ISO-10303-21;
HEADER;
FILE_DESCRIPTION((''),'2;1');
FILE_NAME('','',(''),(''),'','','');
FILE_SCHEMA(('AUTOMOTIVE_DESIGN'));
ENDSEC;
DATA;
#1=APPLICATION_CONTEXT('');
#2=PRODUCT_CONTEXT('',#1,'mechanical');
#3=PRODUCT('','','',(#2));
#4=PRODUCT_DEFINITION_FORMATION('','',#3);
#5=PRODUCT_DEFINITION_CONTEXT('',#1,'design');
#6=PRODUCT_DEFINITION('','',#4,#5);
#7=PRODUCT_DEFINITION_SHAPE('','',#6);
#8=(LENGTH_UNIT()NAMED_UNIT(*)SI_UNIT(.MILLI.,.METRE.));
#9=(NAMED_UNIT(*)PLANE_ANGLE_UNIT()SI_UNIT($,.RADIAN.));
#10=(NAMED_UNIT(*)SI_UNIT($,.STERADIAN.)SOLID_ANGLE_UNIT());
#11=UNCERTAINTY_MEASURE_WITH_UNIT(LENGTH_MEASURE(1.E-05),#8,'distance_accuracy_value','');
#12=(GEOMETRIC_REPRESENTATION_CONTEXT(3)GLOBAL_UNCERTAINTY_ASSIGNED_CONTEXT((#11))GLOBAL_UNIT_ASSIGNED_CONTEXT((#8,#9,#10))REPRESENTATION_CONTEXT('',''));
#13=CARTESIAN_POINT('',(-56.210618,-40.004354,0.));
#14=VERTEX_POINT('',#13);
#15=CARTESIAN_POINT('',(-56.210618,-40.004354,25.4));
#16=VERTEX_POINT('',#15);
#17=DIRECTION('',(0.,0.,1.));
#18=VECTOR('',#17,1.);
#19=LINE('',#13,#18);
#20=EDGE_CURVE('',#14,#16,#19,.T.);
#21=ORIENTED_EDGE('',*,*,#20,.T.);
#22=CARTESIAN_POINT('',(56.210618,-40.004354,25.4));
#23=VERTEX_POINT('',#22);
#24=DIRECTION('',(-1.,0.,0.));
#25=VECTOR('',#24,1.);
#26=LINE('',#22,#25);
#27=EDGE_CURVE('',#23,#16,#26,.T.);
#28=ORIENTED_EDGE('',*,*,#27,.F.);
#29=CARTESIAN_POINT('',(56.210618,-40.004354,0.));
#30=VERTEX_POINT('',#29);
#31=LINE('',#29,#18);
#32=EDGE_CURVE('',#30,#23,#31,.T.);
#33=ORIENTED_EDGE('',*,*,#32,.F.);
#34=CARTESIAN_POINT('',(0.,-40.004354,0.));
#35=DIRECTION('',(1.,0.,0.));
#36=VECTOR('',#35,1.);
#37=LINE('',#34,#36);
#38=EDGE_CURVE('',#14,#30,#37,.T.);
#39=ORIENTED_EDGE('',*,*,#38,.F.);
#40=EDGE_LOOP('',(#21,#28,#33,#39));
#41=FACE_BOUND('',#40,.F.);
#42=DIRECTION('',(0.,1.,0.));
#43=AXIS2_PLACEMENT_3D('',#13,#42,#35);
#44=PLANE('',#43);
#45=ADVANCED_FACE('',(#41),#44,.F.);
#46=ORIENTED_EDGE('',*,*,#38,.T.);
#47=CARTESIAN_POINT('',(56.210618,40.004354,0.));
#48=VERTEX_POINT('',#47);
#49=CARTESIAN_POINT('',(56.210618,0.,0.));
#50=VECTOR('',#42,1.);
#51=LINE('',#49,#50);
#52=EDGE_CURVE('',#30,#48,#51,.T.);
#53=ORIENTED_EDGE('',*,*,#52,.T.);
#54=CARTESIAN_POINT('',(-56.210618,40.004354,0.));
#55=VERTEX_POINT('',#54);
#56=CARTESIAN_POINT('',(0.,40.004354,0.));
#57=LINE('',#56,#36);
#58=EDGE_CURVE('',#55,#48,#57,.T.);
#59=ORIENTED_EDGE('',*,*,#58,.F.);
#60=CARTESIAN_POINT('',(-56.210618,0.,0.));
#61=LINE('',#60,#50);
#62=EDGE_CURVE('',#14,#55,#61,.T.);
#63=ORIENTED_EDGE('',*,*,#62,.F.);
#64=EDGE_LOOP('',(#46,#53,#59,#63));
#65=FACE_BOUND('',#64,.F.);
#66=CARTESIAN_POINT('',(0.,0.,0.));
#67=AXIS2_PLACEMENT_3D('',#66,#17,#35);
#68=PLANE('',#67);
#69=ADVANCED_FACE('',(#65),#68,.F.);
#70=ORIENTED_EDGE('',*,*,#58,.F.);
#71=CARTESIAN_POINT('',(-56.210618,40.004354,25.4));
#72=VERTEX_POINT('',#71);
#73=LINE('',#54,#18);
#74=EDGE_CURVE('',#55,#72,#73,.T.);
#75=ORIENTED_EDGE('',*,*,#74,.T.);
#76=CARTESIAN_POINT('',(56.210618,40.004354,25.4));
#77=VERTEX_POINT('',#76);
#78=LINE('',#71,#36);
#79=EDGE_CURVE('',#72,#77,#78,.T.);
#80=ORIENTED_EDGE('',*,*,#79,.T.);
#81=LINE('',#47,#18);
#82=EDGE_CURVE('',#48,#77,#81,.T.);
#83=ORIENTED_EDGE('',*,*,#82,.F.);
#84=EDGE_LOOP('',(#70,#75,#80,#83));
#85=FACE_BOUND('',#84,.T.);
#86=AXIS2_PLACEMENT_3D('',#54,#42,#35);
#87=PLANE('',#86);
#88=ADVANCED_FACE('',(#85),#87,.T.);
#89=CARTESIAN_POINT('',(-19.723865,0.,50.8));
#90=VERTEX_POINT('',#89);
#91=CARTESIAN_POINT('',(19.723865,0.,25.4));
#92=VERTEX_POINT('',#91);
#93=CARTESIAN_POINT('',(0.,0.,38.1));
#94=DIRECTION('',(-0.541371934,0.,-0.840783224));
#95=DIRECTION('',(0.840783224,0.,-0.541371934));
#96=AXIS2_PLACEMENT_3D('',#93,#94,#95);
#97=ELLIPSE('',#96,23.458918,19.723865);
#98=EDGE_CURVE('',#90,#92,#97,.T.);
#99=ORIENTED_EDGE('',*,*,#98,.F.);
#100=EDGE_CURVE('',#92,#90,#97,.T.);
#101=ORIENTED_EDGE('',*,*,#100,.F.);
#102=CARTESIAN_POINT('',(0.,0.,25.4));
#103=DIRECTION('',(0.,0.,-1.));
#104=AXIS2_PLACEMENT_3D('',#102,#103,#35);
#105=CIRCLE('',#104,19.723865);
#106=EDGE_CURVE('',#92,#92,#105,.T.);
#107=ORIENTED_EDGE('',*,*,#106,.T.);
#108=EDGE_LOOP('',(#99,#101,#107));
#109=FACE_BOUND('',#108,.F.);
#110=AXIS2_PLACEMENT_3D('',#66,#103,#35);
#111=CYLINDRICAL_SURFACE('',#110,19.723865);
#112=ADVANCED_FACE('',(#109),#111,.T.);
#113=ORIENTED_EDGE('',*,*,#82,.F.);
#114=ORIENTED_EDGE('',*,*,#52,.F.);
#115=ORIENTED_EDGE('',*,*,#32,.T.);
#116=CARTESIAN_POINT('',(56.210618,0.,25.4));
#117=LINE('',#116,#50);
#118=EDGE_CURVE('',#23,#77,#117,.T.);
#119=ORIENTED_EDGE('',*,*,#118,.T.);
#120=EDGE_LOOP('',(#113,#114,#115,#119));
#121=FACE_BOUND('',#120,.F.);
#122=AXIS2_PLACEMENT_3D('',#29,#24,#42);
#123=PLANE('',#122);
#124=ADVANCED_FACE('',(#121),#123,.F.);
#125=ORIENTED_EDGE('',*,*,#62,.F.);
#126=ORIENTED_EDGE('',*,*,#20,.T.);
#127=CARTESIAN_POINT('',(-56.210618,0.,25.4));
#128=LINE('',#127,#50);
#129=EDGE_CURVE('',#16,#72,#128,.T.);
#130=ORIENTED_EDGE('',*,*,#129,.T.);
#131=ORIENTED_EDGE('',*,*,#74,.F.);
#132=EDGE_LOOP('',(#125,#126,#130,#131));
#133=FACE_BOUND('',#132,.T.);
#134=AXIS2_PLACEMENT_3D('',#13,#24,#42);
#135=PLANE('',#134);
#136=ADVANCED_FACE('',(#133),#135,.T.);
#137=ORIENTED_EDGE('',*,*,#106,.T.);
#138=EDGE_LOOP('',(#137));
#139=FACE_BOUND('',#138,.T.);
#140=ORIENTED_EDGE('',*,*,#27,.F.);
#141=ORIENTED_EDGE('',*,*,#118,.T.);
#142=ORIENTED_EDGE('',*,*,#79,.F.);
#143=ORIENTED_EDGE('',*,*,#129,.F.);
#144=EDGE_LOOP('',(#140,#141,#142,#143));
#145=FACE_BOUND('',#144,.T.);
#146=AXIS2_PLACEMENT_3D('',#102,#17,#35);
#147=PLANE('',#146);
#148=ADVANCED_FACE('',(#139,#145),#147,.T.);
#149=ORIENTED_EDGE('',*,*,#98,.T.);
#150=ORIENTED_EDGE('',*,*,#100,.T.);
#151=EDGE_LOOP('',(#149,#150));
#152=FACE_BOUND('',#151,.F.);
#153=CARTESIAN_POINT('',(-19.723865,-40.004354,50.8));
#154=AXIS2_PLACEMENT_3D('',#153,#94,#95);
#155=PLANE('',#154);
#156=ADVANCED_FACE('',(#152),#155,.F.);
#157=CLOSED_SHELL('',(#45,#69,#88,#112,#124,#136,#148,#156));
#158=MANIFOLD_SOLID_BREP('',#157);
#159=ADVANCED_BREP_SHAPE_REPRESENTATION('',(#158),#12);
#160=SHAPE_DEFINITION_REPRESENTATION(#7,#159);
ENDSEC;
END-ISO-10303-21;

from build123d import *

# Parameters (mm, degrees)
F0_W     = 112.421236
F0_H     = 80.008708
F1_DEPTH = 25.4
F2_R     = 19.723865
F3_DEPTH = 50.8
F5_DEPTH = 80.009708


with BuildPart() as f1:
    # F0 (on Top) → F1 (new body)
    with BuildSketch(Plane.XY):
        Rectangle(F0_W, F0_H)
    extrude(amount=F1_DEPTH)

    # F2 (on Top) → F3 (join)
    with BuildSketch(Plane.XY):
        Circle(F2_R)
    extrude(amount=F3_DEPTH)

    # F4 (on face) → F5 (cut, through all)
    with BuildSketch(Plane.XZ.offset(40.004354)):
        Polygon((19.723865, 50.8), (-19.723865, 50.8), (19.723865, 25.4), align=None)
    extrude(amount=-F5_DEPTH, mode=Mode.SUBTRACT)


solid = f1.part
